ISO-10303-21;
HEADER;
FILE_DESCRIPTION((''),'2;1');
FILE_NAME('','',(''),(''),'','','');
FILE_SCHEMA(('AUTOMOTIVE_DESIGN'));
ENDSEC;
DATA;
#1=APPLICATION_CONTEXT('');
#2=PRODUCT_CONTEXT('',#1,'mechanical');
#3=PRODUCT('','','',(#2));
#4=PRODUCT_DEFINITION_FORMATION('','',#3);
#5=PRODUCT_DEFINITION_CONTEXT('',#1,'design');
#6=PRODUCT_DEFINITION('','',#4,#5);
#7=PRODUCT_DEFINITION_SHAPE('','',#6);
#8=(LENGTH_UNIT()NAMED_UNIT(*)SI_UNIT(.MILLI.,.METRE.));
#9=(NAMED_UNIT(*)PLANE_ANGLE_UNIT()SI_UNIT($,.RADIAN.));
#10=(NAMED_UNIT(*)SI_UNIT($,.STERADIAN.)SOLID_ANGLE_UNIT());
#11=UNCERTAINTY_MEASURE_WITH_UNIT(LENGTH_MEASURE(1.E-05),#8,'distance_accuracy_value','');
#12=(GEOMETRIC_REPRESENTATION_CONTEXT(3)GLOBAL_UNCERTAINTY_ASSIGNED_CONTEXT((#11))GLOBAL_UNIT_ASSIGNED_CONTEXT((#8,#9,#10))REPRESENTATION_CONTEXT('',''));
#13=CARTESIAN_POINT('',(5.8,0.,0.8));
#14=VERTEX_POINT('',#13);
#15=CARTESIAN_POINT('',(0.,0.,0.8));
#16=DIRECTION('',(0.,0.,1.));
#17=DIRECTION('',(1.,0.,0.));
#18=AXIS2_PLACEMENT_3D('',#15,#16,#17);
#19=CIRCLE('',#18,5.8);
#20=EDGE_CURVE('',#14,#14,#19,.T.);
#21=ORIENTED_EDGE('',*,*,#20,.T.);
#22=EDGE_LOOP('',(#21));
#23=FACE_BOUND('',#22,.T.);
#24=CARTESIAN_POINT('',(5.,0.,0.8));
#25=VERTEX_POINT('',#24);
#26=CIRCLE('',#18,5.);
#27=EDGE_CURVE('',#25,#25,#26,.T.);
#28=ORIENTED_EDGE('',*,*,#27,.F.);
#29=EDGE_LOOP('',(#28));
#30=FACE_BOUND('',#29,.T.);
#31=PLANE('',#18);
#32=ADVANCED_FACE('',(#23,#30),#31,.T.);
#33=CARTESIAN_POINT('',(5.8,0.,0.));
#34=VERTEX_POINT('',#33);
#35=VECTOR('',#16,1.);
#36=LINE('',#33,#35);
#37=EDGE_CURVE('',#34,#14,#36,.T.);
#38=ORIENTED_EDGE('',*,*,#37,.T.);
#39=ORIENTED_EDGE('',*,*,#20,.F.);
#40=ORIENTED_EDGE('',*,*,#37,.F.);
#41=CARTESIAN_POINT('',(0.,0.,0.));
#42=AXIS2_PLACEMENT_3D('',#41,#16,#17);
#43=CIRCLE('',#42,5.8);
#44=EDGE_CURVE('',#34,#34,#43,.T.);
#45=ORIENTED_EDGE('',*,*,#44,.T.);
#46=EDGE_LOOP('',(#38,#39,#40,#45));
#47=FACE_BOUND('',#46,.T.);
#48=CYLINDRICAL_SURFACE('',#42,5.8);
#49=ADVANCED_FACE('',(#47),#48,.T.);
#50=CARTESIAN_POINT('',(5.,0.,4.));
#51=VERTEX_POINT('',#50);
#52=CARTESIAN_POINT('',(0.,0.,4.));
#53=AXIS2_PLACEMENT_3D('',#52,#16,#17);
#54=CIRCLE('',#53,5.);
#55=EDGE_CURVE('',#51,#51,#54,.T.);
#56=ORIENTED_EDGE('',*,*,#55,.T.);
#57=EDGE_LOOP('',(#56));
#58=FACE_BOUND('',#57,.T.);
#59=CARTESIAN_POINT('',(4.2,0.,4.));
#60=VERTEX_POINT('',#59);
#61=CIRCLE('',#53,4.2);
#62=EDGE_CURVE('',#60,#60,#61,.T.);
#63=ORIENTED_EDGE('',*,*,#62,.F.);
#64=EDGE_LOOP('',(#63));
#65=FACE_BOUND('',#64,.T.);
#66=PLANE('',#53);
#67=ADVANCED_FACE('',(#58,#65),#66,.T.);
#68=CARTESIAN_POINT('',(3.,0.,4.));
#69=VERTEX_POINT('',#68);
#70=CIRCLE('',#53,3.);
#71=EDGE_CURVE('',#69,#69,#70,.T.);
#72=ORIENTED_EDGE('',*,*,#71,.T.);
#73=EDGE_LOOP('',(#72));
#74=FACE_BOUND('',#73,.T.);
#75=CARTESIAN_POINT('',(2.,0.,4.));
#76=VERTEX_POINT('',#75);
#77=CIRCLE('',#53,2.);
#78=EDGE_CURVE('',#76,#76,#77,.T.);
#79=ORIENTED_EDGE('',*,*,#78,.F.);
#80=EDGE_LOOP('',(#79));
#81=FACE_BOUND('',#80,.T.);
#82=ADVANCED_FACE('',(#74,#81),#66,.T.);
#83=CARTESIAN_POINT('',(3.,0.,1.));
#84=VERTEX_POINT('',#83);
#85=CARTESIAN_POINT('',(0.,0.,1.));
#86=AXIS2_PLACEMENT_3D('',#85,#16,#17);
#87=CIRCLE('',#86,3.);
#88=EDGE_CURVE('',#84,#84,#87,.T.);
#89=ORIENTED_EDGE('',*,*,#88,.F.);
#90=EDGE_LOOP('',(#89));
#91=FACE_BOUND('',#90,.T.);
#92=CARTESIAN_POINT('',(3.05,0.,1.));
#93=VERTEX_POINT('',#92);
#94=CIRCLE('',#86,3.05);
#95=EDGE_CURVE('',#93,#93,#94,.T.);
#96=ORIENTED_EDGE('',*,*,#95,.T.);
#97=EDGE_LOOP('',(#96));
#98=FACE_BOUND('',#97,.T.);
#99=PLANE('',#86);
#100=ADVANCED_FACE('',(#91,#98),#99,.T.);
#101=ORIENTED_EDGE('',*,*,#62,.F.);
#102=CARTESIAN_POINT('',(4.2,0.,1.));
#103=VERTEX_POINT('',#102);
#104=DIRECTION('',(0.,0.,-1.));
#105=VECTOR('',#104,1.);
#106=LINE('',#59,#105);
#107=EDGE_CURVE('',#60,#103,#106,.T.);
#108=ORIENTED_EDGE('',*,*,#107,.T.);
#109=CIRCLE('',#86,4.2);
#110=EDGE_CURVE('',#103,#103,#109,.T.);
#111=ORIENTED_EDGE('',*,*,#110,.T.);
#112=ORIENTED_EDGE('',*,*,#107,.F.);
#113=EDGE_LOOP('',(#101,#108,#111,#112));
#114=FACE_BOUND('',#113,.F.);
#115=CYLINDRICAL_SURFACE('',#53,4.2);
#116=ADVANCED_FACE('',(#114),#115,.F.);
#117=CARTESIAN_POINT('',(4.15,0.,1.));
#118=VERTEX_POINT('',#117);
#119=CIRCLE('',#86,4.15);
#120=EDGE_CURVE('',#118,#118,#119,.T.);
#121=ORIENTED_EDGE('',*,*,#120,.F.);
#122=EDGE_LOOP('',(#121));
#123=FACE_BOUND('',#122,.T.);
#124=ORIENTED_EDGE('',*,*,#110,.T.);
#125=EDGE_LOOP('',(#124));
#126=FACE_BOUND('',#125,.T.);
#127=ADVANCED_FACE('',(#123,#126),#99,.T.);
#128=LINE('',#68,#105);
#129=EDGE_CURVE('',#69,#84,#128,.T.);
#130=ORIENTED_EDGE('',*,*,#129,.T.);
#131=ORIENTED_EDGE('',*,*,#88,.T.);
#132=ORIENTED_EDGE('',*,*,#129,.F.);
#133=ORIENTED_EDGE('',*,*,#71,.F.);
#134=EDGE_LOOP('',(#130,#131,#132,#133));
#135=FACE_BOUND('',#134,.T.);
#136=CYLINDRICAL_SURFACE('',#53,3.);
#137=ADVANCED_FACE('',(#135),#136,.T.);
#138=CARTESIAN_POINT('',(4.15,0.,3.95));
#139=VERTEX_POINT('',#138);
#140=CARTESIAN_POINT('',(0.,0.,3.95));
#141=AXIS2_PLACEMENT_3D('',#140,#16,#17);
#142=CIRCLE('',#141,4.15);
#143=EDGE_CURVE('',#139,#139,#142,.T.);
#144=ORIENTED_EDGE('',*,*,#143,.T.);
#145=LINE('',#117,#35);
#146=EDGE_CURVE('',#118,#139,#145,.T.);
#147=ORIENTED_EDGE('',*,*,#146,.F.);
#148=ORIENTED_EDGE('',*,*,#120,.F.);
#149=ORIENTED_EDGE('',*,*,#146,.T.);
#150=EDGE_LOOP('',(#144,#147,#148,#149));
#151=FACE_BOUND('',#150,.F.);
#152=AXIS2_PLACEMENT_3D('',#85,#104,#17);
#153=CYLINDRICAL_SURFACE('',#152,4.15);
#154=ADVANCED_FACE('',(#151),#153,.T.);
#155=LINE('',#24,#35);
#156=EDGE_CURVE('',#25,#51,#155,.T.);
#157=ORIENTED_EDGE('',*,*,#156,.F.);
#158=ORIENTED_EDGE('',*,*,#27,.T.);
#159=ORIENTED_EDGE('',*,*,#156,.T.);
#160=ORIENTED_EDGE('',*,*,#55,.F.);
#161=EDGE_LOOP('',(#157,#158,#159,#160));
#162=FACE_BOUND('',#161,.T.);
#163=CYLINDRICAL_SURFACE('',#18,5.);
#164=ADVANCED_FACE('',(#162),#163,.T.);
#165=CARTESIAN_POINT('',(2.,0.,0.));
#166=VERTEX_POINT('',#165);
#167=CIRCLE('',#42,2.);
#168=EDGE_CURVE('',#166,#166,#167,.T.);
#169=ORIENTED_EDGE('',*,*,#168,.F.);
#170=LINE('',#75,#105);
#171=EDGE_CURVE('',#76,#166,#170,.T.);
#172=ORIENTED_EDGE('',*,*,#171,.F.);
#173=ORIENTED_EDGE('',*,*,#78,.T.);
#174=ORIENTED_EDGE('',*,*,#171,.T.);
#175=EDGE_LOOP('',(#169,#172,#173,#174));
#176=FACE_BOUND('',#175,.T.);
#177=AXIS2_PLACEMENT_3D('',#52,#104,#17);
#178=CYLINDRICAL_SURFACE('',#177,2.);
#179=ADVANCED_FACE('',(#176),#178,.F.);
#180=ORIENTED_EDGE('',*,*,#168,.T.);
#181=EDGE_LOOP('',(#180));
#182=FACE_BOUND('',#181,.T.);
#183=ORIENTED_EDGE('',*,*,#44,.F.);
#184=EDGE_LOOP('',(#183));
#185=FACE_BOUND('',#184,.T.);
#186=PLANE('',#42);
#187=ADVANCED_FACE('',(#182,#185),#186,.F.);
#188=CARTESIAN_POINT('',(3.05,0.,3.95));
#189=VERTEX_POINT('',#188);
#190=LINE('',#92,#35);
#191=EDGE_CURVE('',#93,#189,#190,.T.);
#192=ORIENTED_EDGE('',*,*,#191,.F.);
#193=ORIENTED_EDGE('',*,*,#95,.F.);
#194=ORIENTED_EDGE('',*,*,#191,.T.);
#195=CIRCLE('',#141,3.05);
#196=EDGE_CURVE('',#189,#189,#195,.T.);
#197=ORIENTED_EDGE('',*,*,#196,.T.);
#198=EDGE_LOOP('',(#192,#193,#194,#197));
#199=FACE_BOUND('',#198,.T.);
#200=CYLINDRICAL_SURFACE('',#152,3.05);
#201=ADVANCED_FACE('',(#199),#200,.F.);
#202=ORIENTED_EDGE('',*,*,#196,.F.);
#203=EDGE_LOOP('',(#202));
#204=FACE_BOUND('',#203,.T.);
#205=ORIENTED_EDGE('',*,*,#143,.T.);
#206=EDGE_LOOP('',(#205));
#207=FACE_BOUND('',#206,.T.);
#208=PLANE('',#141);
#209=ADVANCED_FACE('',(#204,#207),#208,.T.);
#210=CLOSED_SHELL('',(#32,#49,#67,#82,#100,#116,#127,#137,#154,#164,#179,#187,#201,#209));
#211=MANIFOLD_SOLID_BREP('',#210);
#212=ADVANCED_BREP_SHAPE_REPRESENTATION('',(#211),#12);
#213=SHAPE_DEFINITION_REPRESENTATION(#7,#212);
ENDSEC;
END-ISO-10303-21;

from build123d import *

# Parameters (mm, degrees)
F2_R     = 4.2
F2_R_2   = 3
F3_DEPTH = 3
F4_R     = 4.15
F4_R_2   = 3.05
F5_DEPTH = 2.95


with BuildPart() as f1:
    # F0 (on Front) → F1 (revolve)
    with BuildSketch(Plane.XZ):
        Polygon((2, 4), (2, 0), (5.8, 0), (5.8, 0.8), (5, 0.8), (5, 4), align=None)
    revolve(axis=Axis((0, 0, 2), (0, 0, 1)))

    # F2 (on face) → F3 (cut)
    with BuildSketch(Plane.XY.offset(4)):
        Circle(F2_R)
        Circle(F2_R_2, mode=Mode.SUBTRACT)
    extrude(amount=-F3_DEPTH, mode=Mode.SUBTRACT)

    # F4 (on face) → F5 (join)
    with BuildSketch(Plane.XY.offset(1)):
        Circle(F4_R)
        Circle(F4_R_2, mode=Mode.SUBTRACT)
    extrude(amount=F5_DEPTH)


solid = f1.part
